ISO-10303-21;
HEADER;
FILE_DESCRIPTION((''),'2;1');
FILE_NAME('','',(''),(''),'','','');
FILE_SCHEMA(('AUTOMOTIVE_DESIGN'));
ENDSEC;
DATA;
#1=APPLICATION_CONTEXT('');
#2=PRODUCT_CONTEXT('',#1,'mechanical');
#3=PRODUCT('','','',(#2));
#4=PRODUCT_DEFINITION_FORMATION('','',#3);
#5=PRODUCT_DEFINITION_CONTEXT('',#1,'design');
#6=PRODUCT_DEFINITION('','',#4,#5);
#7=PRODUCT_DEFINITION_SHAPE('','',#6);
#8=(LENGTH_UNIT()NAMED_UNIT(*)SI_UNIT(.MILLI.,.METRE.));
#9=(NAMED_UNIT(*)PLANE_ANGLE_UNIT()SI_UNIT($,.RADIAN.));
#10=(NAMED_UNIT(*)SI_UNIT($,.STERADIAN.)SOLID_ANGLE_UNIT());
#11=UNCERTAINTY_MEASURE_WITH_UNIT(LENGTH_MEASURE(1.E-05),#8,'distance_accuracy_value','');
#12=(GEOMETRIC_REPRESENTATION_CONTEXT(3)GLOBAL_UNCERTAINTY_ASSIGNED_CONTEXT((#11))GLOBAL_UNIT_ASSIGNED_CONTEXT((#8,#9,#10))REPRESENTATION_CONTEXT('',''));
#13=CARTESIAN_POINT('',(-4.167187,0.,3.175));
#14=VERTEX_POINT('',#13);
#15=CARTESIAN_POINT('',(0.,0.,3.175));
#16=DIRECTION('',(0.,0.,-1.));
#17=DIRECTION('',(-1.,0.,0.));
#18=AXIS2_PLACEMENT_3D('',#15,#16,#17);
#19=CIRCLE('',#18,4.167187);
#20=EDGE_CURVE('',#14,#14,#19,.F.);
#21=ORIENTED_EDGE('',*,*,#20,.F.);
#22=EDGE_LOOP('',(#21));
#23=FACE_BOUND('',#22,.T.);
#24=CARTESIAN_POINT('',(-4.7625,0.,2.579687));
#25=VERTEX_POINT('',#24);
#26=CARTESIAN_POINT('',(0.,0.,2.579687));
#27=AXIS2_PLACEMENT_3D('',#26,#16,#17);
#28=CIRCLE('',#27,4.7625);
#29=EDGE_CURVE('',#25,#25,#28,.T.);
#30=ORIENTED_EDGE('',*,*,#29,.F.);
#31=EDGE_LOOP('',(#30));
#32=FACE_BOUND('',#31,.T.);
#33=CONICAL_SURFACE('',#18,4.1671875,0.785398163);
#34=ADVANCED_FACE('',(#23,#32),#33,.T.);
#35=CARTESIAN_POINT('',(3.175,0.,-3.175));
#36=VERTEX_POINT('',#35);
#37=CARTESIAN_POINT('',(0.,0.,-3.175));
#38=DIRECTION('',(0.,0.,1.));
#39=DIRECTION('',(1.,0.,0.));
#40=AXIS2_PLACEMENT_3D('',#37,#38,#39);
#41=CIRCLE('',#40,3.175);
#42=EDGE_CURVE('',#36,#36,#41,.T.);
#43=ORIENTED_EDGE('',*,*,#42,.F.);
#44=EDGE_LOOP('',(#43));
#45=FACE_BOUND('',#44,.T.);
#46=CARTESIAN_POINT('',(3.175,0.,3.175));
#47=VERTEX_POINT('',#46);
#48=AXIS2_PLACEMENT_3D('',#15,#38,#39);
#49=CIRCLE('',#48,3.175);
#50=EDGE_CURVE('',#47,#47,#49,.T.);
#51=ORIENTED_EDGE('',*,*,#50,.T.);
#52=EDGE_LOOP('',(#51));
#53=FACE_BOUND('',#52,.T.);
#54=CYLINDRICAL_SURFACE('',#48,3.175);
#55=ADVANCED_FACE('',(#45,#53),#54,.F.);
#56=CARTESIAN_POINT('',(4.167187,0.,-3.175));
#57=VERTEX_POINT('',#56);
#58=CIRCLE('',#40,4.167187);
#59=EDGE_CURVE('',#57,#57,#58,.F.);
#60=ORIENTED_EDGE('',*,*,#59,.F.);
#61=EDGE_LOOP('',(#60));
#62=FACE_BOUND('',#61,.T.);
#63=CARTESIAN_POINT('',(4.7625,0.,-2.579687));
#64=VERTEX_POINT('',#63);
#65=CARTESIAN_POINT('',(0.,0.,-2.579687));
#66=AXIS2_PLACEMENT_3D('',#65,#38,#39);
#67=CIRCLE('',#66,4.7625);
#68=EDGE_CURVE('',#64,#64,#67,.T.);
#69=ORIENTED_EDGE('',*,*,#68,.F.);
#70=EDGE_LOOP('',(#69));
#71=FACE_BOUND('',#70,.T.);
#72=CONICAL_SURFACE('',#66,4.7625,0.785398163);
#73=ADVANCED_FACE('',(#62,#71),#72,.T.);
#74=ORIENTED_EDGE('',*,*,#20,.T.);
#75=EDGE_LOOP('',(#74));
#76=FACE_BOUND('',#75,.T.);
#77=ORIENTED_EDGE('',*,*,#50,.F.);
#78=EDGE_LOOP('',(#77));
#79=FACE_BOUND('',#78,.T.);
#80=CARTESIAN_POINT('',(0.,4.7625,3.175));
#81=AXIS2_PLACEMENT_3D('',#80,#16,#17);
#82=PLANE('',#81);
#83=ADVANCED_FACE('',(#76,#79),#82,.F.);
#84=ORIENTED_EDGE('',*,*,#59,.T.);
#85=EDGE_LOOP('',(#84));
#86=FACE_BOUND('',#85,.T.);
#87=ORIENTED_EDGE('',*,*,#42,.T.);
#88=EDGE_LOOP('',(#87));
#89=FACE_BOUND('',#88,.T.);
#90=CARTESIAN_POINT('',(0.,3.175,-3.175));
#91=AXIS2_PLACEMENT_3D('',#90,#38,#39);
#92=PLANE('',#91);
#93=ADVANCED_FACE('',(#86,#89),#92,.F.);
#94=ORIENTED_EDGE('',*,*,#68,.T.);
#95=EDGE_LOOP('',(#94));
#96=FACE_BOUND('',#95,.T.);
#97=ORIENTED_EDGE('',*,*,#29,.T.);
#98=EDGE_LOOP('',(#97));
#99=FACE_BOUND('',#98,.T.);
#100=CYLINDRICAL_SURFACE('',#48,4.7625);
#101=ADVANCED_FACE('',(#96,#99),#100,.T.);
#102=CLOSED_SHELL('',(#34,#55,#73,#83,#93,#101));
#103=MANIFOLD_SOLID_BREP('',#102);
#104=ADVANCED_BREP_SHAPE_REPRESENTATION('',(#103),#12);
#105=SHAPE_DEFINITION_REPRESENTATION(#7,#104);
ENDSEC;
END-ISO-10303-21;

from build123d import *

# Parameters (mm, degrees)
SKETCH3_W     = 6.35
SKETCH3_H     = 1.5875
CHAMFER1_SIZE = 0.5953125


with BuildPart() as part:
    # Sketch3 → Revolve1 (revolve)
    with BuildSketch(Plane(origin=(0, 0, 0), x_dir=(0, 0, -1), z_dir=(1, 0, 0)), mode=Mode.PRIVATE) as revolve1_sk:
        with Locations((0, 3.96875)):
            Rectangle(SKETCH3_W, SKETCH3_H)
    revolve(revolve1_sk.sketch.rotate(Axis((0, 0, 3.175), (0, 0, -1)), 90), axis=Axis((0, 0, 3.175), (0, 0, -1)))

    # Chamfer1
    chamfer1_edges = [part.edges().sort_by_distance(p)[0] for p in [
        (-4.7625, 0, 3.175),
        (-4.7625, 0, -3.175),
    ]]
    chamfer(chamfer1_edges, length=CHAMFER1_SIZE)


solid = part.part
